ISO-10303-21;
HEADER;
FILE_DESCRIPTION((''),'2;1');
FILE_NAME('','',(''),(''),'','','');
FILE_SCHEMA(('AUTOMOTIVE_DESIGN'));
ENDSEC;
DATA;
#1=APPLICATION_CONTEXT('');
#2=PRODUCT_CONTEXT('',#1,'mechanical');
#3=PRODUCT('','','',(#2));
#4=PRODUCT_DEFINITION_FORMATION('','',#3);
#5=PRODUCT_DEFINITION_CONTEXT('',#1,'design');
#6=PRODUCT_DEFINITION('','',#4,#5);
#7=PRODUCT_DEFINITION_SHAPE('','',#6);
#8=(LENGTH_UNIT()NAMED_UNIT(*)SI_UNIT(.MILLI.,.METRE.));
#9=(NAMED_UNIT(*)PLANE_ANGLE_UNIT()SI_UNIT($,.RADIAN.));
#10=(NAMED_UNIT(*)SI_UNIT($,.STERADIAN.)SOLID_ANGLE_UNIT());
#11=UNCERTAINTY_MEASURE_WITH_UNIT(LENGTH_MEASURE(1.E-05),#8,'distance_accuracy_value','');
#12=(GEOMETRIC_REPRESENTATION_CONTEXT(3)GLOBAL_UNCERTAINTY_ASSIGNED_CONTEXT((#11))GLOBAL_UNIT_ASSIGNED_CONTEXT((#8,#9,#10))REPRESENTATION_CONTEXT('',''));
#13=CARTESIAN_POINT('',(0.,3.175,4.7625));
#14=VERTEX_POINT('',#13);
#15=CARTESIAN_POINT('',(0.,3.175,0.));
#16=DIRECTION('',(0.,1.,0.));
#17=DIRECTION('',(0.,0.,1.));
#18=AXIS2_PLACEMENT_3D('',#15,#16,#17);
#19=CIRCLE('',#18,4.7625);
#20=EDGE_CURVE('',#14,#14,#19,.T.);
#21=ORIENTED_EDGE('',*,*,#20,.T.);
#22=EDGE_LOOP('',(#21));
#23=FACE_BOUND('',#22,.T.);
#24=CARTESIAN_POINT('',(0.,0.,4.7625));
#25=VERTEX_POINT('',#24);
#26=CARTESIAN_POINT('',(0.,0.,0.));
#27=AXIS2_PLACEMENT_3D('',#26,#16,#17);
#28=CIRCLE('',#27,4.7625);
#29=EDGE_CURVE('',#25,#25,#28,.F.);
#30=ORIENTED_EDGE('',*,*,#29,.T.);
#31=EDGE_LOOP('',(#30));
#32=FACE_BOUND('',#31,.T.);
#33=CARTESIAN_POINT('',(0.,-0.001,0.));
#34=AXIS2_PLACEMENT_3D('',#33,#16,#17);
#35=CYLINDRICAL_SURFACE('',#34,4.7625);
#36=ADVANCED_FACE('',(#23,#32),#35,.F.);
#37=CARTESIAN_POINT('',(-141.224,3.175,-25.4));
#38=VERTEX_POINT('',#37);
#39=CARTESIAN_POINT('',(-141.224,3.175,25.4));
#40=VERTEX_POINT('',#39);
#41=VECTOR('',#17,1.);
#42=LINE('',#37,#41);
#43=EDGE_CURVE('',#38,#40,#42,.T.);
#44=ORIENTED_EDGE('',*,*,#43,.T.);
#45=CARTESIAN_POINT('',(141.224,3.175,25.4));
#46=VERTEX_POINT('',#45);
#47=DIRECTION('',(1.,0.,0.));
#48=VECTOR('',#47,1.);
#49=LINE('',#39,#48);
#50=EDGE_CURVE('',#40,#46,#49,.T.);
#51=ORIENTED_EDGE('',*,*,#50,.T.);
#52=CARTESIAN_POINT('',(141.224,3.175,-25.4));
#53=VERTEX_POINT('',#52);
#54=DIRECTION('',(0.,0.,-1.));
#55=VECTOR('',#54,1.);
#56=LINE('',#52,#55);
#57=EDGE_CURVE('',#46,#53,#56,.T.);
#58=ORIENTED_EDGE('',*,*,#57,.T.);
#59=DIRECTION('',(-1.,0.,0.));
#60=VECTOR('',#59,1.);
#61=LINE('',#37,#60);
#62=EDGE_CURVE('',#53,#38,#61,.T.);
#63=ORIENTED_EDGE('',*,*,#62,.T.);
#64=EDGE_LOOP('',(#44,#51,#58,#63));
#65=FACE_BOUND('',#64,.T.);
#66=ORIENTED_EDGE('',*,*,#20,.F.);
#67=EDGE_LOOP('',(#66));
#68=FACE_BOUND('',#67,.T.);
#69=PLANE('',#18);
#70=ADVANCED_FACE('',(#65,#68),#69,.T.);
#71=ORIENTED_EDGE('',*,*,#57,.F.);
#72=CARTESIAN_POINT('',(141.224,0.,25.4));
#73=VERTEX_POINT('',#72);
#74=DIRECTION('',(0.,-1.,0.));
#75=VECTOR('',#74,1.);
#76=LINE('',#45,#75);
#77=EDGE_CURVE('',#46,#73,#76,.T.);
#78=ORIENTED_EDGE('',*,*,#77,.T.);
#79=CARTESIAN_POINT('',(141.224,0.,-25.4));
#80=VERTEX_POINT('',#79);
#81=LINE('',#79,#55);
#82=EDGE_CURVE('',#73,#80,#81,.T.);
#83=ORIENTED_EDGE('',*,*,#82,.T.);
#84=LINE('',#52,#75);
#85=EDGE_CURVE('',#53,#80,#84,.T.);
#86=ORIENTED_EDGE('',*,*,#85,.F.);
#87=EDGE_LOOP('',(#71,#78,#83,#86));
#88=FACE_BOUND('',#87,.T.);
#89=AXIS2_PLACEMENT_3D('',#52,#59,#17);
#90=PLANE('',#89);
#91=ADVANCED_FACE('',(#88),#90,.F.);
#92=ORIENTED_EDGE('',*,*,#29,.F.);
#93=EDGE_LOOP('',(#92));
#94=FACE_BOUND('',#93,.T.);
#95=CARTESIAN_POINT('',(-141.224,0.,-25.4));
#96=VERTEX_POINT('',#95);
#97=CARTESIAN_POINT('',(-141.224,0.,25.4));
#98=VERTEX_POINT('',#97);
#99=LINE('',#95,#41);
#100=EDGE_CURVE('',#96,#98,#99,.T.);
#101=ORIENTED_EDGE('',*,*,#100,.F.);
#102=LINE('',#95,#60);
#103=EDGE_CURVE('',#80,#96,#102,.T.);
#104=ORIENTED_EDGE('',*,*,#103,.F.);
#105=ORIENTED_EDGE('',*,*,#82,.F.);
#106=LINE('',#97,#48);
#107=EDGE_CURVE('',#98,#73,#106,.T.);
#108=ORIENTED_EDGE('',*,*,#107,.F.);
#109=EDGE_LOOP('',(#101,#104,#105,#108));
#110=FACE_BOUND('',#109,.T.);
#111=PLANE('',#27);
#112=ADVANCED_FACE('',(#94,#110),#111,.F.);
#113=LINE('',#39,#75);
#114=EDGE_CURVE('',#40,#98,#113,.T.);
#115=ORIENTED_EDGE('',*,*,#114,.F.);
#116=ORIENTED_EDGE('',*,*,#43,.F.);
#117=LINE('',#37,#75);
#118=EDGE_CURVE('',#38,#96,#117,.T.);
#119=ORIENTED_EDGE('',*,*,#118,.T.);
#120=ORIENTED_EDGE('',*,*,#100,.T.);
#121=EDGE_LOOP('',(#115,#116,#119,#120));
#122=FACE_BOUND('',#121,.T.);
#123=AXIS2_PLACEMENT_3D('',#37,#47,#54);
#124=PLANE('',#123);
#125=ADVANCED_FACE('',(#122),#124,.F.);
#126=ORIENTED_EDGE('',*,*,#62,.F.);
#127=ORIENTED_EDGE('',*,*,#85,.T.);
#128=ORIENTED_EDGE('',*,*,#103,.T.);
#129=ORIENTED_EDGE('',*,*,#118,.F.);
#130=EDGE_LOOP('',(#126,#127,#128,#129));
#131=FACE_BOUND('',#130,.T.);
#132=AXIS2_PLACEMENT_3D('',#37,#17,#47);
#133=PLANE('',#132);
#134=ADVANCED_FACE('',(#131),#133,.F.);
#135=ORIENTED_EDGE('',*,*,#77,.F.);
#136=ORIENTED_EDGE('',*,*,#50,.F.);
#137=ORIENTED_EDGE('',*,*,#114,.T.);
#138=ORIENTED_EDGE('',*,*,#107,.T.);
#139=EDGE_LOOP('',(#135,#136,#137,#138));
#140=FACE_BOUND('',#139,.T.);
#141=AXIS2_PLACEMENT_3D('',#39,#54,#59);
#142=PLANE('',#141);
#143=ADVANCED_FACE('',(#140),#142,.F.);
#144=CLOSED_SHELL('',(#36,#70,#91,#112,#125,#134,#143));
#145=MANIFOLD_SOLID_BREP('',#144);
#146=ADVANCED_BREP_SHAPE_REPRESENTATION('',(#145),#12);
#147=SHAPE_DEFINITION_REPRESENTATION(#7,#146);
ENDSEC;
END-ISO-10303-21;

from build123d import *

# Parameters (mm, degrees)
SKETCH1_W           = 282.448
SKETCH1_H           = 50.8
BOSS_EXTRUDE1_DEPTH = 3.175
CUT_EXTRUDE1_REACH  = 145.525
SKETCH2_R           = 4.7625


with BuildPart() as part:
    # Sketch1 → Boss-Extrude1 (new body)
    with BuildSketch(Plane(origin=(0, 0, 0), x_dir=(1, 0, 0), z_dir=(0, 1, 0))):
        Rectangle(SKETCH1_W, SKETCH1_H)
    extrude(amount=BOSS_EXTRUDE1_DEPTH)

    # Sketch2 → Cut-Extrude1 (cut, up to next)
    with BuildSketch(Plane(origin=(0, 3.175, 0), x_dir=(1, 0, 0), z_dir=(0, 1, 0)), mode=Mode.PRIVATE) as cut_extrude1_sk1:
        with Locations(Location((0, 0, 0), (0, 0, 270))):
            Circle(SKETCH2_R)
    cut_extrude1_tool1 = extrude(cut_extrude1_sk1.sketch, amount=-CUT_EXTRUDE1_REACH, mode=Mode.PRIVATE) & part.part
    add(cut_extrude1_tool1.solids().sort_by_distance((0, 3.175, 0))[0], mode=Mode.SUBTRACT)


solid = part.part
